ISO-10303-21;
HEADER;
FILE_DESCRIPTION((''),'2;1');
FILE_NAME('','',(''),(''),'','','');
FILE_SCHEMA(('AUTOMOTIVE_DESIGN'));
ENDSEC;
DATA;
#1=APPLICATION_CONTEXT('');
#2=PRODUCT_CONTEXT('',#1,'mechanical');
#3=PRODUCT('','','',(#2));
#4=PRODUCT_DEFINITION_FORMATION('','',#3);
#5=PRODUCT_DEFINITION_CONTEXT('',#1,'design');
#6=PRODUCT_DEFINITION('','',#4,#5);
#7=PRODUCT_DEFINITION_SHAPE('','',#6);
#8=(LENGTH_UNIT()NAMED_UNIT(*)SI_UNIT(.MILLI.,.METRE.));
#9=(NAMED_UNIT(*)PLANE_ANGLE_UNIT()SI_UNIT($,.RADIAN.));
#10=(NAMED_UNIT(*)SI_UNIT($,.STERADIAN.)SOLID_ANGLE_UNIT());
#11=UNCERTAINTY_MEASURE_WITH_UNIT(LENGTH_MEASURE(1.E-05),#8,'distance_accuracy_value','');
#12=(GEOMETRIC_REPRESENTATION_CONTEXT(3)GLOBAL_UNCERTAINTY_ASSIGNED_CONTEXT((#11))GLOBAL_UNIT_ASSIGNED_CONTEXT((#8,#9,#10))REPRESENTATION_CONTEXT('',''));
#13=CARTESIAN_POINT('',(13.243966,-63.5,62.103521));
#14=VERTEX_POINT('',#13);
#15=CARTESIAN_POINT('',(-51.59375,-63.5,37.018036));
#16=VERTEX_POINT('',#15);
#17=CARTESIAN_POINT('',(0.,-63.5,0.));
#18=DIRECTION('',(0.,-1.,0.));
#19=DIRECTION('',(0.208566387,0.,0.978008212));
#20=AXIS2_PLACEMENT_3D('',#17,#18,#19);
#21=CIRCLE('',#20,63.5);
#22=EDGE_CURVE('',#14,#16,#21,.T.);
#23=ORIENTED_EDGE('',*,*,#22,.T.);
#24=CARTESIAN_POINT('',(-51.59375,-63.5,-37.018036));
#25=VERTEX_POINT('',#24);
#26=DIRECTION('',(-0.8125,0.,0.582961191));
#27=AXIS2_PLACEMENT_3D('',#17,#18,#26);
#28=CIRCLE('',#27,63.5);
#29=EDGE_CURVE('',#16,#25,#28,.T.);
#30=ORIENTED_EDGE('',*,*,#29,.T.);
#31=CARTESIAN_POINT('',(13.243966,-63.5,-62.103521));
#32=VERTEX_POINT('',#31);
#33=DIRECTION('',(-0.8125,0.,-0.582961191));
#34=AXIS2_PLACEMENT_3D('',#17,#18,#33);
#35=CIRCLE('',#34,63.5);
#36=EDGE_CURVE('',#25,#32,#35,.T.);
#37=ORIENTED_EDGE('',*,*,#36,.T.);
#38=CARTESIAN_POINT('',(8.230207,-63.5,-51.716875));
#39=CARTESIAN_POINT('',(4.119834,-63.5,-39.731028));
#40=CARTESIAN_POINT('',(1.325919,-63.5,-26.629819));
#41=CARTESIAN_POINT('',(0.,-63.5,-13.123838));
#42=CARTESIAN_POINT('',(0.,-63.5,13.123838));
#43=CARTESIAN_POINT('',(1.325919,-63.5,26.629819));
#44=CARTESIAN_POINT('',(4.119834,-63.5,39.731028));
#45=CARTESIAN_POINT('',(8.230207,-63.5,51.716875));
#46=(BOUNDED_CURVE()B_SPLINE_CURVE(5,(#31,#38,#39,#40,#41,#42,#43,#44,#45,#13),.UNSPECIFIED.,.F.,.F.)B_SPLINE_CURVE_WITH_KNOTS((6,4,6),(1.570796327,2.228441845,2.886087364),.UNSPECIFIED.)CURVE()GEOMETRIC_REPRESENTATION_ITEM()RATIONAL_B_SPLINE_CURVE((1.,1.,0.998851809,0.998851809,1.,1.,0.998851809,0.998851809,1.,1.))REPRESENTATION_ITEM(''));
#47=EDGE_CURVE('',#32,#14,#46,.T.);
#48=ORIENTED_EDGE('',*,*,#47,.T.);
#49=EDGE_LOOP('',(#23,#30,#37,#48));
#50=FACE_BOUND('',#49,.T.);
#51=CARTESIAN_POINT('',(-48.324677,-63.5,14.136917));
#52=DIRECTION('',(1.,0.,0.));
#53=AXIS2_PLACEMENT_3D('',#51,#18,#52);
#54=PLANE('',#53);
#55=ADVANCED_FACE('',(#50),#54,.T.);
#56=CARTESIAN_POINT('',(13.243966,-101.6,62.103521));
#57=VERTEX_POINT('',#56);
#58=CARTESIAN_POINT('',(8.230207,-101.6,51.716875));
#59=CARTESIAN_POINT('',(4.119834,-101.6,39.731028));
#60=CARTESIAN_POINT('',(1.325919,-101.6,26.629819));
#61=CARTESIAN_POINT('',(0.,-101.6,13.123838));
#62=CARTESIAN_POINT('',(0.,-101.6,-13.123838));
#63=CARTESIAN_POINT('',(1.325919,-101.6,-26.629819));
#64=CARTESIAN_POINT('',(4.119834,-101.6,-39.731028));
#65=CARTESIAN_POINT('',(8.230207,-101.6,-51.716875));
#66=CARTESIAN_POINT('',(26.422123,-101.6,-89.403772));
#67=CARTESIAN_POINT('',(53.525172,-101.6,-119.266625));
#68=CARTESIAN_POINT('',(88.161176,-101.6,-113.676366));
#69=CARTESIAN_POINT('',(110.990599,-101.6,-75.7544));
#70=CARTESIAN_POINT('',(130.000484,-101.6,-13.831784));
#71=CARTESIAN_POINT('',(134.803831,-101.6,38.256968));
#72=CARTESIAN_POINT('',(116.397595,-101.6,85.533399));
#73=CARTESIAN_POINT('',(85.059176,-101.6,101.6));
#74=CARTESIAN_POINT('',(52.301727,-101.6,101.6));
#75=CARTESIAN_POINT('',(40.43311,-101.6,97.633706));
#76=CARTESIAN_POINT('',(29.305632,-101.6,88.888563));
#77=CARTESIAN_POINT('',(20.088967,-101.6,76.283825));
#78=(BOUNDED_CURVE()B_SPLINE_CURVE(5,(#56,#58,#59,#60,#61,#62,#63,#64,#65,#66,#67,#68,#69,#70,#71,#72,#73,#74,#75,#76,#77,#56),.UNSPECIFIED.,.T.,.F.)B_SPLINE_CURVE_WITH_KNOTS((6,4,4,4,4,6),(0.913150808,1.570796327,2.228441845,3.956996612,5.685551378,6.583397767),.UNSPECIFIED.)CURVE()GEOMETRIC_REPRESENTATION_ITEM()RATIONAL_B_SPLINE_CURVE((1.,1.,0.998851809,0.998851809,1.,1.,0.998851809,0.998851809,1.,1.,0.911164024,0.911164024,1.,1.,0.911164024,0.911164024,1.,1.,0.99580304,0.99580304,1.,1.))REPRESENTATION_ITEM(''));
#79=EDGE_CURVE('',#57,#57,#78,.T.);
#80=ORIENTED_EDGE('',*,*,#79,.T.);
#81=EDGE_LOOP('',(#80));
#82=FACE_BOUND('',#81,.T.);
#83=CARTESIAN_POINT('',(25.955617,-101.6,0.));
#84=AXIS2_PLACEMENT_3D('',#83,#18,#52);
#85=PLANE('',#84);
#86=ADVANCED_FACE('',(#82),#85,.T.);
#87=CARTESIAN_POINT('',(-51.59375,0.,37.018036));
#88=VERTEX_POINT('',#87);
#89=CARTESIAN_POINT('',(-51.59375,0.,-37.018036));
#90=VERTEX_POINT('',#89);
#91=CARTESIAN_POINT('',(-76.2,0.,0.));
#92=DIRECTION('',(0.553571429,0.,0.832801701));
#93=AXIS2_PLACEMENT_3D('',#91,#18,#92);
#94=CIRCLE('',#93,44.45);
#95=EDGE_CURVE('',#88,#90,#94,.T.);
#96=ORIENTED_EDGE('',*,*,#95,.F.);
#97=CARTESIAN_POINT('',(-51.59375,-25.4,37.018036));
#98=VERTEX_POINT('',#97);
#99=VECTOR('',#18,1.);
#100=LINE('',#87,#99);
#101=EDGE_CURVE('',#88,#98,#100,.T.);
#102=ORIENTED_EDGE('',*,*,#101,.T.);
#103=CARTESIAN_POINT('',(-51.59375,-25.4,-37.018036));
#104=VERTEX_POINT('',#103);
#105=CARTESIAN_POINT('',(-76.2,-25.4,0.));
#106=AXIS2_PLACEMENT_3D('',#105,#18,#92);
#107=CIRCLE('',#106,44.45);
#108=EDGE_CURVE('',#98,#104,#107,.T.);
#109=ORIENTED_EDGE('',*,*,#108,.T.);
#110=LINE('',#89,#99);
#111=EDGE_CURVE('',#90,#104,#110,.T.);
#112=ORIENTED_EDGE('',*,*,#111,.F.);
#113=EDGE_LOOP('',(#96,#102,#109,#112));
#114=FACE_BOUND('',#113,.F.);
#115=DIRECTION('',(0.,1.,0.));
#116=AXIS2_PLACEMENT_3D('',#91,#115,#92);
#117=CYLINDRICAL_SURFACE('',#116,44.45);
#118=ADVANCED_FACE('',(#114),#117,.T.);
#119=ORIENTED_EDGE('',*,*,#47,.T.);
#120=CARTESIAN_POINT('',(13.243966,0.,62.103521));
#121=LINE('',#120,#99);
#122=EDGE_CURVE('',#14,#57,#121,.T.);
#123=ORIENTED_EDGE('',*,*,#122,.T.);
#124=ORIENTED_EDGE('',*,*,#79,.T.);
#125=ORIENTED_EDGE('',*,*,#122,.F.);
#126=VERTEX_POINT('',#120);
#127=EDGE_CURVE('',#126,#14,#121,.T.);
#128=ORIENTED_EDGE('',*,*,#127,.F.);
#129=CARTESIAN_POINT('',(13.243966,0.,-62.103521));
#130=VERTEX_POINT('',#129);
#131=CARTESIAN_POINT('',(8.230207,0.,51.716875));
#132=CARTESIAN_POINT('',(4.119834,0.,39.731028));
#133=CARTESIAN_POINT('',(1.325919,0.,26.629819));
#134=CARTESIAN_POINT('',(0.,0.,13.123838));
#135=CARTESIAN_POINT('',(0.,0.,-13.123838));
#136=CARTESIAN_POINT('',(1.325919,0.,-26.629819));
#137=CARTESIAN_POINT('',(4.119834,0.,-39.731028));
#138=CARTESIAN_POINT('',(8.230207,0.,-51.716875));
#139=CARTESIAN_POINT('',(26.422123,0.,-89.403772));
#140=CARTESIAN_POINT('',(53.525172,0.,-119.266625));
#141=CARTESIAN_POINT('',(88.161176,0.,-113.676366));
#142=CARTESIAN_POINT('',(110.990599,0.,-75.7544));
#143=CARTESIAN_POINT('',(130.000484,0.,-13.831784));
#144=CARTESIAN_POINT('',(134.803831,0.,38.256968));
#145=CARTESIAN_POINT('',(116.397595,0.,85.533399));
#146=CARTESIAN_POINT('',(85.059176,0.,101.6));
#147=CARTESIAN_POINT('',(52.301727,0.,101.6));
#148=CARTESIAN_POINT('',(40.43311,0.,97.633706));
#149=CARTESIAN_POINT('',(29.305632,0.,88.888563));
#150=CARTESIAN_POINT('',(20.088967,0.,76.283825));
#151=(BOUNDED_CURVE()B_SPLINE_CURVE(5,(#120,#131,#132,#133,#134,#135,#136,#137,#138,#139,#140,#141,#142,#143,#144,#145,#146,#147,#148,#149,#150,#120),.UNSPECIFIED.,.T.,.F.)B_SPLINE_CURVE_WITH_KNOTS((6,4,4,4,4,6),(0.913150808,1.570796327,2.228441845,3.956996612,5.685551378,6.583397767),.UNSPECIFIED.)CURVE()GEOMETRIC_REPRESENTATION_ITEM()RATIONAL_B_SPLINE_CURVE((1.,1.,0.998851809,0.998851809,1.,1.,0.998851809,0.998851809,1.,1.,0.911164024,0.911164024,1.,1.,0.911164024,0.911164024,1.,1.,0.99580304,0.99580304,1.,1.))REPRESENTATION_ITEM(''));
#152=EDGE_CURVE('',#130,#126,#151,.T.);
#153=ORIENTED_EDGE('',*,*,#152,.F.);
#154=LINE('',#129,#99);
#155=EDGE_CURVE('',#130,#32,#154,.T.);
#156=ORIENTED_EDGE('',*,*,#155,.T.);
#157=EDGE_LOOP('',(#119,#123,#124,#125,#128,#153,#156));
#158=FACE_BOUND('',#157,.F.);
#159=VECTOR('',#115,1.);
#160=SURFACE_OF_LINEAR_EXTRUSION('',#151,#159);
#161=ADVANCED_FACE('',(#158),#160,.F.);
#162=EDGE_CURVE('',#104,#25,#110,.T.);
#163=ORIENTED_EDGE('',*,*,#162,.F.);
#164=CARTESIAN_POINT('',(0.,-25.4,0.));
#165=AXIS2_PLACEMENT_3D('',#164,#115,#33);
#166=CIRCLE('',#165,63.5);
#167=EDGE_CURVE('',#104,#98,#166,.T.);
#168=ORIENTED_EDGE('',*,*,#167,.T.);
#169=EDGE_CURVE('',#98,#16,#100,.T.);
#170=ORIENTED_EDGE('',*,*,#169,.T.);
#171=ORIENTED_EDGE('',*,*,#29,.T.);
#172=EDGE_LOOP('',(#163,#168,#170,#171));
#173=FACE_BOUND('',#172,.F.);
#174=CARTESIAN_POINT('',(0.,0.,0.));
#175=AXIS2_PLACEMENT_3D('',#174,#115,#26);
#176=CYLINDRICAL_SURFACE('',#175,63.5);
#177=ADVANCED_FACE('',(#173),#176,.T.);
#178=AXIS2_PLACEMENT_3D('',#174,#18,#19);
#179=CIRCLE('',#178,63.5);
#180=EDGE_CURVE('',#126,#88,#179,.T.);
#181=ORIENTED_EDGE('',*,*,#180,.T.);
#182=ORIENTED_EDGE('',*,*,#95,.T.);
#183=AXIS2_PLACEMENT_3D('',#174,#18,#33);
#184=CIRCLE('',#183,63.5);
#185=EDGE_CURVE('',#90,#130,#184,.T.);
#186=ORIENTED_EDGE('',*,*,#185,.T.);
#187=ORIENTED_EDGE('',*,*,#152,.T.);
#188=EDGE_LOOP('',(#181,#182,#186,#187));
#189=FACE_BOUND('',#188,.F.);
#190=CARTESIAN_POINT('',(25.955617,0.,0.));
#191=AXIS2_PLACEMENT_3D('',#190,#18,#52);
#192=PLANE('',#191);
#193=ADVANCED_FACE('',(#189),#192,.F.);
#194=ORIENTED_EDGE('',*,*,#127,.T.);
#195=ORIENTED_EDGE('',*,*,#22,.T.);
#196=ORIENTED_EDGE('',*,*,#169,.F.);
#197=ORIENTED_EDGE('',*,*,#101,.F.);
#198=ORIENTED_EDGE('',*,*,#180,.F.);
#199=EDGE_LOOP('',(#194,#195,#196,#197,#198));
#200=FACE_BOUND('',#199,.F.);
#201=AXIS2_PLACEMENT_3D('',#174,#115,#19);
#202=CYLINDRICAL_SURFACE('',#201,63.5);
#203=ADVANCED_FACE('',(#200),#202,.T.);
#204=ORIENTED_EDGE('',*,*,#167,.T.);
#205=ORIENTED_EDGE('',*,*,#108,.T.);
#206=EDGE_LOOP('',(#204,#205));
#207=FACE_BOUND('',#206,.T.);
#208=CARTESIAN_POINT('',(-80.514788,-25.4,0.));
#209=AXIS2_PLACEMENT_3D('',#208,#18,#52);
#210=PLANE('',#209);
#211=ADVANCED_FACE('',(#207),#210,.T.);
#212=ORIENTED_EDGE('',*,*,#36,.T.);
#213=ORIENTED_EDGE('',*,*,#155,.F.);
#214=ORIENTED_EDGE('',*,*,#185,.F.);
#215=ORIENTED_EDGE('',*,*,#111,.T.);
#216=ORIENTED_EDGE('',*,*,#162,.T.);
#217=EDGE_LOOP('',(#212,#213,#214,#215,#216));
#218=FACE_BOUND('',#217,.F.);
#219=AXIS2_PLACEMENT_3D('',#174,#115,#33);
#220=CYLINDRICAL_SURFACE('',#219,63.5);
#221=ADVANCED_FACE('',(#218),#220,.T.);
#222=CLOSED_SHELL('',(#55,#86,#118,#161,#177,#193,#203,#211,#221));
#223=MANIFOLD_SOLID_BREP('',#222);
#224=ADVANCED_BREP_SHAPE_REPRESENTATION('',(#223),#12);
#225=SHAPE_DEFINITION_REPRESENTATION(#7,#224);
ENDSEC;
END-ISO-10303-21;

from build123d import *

# Parameters (mm, degrees)
F1_DEPTH = 25.4
F2_DEPTH = 63.5
F3_DEPTH = 101.6


with BuildPart() as f1:
    # F0 (on Front) → F1 (new body)
    with BuildSketch(Plane.XZ):
        with BuildLine():
            ThreePointArc((-51.59375, -37.0180356169), (-60.4501990278, -19.4428248333), (-63.5, 0))
            ThreePointArc((-63.5, 0), (-60.4501990278, 19.4428248333), (-51.59375, 37.0180356169))
            ThreePointArc((-51.59375, 37.0180356169), (-120.65, 0), (-51.59375, -37.0180356169))
        make_face()
    extrude(amount=F1_DEPTH)

    # F0 (on Front) → F2 (join)
    with BuildSketch(Plane.XZ):
        with BuildLine():
            Line((-63.5, 0), (-31.75, 0))
            ThreePointArc((-31.75, 0), (-37.0237934934, 21.0006510316), (-51.59375, 37.0180356169))
            ThreePointArc((-51.59375, 37.0180356169), (-60.4501990278, 19.4428248333), (-63.5, 0))
        make_face()
        with BuildLine():
            ThreePointArc((-51.59375, -37.0180356169), (-37.0237934934, -21.0006510316), (-31.75, 0))
            Line((-31.75, 0), (-63.5, 0))
            ThreePointArc((-63.5, 0), (-60.4501990278, -19.4428248333), (-51.59375, -37.0180356169))
        make_face()
        with BuildLine():
            Line((-31.75, 0), (0, 0))
            add(Edge.make_bspline(
                [(13.2439655959, 62.1035214404), (0, 34.6669399309), (0, 0)],
                knots=[0.9131508081, 0.9131508081, 0.9131508081, 1.5707963268, 1.5707963268, 1.5707963268], degree=2, weights=[1, 0.9464231645, 1]))
            ThreePointArc((13.2439655959, 62.1035214404), (-22.9128106244, 59.2220660674), (-51.59375, 37.0180356169))
            ThreePointArc((-51.59375, 37.0180356169), (-37.0237934934, 21.0006510316), (-31.75, 0))
        make_face()
        with BuildLine():
            add(Edge.make_bspline(
                [(0, 0), (0, -34.6669399309), (13.2439655959, -62.1035214404)],
                knots=[1.5707963268, 1.5707963268, 1.5707963268, 2.2284418454, 2.2284418454, 2.2284418454], degree=2, weights=[1, 0.9464231645, 1]))
            Line((0, 0), (-31.75, 0))
            ThreePointArc((-31.75, 0), (-37.0237934934, -21.0006510316), (-51.59375, -37.0180356169))
            ThreePointArc((-51.59375, -37.0180356169), (-22.9128106244, -59.2220660674), (13.2439655959, -62.1035214404))
        make_face()
    extrude(amount=F2_DEPTH)

    # F0 (on Front) → F3 (join)
    with BuildSketch(Plane.XZ):
        with BuildLine():
            add(Edge.make_bspline(
                [(13.2439655959, 62.1035214404), (0, 34.6669399309), (0, 0)],
                knots=[0.9131508081, 0.9131508081, 0.9131508081, 1.5707963268, 1.5707963268, 1.5707963268], degree=2, weights=[1, 0.9464231645, 1]))
            add(Edge.make_bspline(
                [(0, 0), (0, -34.6669399309), (13.2439655959, -62.1035214404)],
                knots=[1.5707963268, 1.5707963268, 1.5707963268, 2.2284418454, 2.2284418454, 2.2284418454], degree=2, weights=[1, 0.9464231645, 1]))
            ThreePointArc((13.2439655959, -62.1035214404), (49.3621404284, -39.9453262889), (63.5, 0))
            ThreePointArc((63.5, 0), (49.3621404284, 39.9453262889), (13.2439655959, 62.1035214404))
        make_face()
        with BuildLine():
            add(Edge.make_bspline(
                [(63.5, 101.6), (32.3093875408, 101.6), (13.2439655959, 62.1035214404)],
                knots=[0, 0, 0, 0.9131508081, 0.9131508081, 0.9131508081], degree=2, weights=[1, 0.8975675831, 1]))
            ThreePointArc((13.2439655959, 62.1035214404), (49.3621404284, 39.9453262889), (63.5, 0))
            ThreePointArc((63.5, 0), (49.3621404284, -39.9453262889), (13.2439655959, -62.1035214404))
            add(Edge.make_bspline(
                [(13.2439655959, -62.1035214404), (75.5537087854, -191.1861844445), (120.4955415237, -44.7930922222), (165.437374262, 101.6), (63.5, 101.6)],
                knots=[2.2284418454, 2.2284418454, 2.2284418454, 4.2558135763, 4.2558135763, 6.2831853072, 6.2831853072, 6.2831853072], degree=2, weights=[1, 0.5287358074, 1, 0.5287358074, 1]))
        make_face()
    extrude(amount=F3_DEPTH)


solid = f1.part
